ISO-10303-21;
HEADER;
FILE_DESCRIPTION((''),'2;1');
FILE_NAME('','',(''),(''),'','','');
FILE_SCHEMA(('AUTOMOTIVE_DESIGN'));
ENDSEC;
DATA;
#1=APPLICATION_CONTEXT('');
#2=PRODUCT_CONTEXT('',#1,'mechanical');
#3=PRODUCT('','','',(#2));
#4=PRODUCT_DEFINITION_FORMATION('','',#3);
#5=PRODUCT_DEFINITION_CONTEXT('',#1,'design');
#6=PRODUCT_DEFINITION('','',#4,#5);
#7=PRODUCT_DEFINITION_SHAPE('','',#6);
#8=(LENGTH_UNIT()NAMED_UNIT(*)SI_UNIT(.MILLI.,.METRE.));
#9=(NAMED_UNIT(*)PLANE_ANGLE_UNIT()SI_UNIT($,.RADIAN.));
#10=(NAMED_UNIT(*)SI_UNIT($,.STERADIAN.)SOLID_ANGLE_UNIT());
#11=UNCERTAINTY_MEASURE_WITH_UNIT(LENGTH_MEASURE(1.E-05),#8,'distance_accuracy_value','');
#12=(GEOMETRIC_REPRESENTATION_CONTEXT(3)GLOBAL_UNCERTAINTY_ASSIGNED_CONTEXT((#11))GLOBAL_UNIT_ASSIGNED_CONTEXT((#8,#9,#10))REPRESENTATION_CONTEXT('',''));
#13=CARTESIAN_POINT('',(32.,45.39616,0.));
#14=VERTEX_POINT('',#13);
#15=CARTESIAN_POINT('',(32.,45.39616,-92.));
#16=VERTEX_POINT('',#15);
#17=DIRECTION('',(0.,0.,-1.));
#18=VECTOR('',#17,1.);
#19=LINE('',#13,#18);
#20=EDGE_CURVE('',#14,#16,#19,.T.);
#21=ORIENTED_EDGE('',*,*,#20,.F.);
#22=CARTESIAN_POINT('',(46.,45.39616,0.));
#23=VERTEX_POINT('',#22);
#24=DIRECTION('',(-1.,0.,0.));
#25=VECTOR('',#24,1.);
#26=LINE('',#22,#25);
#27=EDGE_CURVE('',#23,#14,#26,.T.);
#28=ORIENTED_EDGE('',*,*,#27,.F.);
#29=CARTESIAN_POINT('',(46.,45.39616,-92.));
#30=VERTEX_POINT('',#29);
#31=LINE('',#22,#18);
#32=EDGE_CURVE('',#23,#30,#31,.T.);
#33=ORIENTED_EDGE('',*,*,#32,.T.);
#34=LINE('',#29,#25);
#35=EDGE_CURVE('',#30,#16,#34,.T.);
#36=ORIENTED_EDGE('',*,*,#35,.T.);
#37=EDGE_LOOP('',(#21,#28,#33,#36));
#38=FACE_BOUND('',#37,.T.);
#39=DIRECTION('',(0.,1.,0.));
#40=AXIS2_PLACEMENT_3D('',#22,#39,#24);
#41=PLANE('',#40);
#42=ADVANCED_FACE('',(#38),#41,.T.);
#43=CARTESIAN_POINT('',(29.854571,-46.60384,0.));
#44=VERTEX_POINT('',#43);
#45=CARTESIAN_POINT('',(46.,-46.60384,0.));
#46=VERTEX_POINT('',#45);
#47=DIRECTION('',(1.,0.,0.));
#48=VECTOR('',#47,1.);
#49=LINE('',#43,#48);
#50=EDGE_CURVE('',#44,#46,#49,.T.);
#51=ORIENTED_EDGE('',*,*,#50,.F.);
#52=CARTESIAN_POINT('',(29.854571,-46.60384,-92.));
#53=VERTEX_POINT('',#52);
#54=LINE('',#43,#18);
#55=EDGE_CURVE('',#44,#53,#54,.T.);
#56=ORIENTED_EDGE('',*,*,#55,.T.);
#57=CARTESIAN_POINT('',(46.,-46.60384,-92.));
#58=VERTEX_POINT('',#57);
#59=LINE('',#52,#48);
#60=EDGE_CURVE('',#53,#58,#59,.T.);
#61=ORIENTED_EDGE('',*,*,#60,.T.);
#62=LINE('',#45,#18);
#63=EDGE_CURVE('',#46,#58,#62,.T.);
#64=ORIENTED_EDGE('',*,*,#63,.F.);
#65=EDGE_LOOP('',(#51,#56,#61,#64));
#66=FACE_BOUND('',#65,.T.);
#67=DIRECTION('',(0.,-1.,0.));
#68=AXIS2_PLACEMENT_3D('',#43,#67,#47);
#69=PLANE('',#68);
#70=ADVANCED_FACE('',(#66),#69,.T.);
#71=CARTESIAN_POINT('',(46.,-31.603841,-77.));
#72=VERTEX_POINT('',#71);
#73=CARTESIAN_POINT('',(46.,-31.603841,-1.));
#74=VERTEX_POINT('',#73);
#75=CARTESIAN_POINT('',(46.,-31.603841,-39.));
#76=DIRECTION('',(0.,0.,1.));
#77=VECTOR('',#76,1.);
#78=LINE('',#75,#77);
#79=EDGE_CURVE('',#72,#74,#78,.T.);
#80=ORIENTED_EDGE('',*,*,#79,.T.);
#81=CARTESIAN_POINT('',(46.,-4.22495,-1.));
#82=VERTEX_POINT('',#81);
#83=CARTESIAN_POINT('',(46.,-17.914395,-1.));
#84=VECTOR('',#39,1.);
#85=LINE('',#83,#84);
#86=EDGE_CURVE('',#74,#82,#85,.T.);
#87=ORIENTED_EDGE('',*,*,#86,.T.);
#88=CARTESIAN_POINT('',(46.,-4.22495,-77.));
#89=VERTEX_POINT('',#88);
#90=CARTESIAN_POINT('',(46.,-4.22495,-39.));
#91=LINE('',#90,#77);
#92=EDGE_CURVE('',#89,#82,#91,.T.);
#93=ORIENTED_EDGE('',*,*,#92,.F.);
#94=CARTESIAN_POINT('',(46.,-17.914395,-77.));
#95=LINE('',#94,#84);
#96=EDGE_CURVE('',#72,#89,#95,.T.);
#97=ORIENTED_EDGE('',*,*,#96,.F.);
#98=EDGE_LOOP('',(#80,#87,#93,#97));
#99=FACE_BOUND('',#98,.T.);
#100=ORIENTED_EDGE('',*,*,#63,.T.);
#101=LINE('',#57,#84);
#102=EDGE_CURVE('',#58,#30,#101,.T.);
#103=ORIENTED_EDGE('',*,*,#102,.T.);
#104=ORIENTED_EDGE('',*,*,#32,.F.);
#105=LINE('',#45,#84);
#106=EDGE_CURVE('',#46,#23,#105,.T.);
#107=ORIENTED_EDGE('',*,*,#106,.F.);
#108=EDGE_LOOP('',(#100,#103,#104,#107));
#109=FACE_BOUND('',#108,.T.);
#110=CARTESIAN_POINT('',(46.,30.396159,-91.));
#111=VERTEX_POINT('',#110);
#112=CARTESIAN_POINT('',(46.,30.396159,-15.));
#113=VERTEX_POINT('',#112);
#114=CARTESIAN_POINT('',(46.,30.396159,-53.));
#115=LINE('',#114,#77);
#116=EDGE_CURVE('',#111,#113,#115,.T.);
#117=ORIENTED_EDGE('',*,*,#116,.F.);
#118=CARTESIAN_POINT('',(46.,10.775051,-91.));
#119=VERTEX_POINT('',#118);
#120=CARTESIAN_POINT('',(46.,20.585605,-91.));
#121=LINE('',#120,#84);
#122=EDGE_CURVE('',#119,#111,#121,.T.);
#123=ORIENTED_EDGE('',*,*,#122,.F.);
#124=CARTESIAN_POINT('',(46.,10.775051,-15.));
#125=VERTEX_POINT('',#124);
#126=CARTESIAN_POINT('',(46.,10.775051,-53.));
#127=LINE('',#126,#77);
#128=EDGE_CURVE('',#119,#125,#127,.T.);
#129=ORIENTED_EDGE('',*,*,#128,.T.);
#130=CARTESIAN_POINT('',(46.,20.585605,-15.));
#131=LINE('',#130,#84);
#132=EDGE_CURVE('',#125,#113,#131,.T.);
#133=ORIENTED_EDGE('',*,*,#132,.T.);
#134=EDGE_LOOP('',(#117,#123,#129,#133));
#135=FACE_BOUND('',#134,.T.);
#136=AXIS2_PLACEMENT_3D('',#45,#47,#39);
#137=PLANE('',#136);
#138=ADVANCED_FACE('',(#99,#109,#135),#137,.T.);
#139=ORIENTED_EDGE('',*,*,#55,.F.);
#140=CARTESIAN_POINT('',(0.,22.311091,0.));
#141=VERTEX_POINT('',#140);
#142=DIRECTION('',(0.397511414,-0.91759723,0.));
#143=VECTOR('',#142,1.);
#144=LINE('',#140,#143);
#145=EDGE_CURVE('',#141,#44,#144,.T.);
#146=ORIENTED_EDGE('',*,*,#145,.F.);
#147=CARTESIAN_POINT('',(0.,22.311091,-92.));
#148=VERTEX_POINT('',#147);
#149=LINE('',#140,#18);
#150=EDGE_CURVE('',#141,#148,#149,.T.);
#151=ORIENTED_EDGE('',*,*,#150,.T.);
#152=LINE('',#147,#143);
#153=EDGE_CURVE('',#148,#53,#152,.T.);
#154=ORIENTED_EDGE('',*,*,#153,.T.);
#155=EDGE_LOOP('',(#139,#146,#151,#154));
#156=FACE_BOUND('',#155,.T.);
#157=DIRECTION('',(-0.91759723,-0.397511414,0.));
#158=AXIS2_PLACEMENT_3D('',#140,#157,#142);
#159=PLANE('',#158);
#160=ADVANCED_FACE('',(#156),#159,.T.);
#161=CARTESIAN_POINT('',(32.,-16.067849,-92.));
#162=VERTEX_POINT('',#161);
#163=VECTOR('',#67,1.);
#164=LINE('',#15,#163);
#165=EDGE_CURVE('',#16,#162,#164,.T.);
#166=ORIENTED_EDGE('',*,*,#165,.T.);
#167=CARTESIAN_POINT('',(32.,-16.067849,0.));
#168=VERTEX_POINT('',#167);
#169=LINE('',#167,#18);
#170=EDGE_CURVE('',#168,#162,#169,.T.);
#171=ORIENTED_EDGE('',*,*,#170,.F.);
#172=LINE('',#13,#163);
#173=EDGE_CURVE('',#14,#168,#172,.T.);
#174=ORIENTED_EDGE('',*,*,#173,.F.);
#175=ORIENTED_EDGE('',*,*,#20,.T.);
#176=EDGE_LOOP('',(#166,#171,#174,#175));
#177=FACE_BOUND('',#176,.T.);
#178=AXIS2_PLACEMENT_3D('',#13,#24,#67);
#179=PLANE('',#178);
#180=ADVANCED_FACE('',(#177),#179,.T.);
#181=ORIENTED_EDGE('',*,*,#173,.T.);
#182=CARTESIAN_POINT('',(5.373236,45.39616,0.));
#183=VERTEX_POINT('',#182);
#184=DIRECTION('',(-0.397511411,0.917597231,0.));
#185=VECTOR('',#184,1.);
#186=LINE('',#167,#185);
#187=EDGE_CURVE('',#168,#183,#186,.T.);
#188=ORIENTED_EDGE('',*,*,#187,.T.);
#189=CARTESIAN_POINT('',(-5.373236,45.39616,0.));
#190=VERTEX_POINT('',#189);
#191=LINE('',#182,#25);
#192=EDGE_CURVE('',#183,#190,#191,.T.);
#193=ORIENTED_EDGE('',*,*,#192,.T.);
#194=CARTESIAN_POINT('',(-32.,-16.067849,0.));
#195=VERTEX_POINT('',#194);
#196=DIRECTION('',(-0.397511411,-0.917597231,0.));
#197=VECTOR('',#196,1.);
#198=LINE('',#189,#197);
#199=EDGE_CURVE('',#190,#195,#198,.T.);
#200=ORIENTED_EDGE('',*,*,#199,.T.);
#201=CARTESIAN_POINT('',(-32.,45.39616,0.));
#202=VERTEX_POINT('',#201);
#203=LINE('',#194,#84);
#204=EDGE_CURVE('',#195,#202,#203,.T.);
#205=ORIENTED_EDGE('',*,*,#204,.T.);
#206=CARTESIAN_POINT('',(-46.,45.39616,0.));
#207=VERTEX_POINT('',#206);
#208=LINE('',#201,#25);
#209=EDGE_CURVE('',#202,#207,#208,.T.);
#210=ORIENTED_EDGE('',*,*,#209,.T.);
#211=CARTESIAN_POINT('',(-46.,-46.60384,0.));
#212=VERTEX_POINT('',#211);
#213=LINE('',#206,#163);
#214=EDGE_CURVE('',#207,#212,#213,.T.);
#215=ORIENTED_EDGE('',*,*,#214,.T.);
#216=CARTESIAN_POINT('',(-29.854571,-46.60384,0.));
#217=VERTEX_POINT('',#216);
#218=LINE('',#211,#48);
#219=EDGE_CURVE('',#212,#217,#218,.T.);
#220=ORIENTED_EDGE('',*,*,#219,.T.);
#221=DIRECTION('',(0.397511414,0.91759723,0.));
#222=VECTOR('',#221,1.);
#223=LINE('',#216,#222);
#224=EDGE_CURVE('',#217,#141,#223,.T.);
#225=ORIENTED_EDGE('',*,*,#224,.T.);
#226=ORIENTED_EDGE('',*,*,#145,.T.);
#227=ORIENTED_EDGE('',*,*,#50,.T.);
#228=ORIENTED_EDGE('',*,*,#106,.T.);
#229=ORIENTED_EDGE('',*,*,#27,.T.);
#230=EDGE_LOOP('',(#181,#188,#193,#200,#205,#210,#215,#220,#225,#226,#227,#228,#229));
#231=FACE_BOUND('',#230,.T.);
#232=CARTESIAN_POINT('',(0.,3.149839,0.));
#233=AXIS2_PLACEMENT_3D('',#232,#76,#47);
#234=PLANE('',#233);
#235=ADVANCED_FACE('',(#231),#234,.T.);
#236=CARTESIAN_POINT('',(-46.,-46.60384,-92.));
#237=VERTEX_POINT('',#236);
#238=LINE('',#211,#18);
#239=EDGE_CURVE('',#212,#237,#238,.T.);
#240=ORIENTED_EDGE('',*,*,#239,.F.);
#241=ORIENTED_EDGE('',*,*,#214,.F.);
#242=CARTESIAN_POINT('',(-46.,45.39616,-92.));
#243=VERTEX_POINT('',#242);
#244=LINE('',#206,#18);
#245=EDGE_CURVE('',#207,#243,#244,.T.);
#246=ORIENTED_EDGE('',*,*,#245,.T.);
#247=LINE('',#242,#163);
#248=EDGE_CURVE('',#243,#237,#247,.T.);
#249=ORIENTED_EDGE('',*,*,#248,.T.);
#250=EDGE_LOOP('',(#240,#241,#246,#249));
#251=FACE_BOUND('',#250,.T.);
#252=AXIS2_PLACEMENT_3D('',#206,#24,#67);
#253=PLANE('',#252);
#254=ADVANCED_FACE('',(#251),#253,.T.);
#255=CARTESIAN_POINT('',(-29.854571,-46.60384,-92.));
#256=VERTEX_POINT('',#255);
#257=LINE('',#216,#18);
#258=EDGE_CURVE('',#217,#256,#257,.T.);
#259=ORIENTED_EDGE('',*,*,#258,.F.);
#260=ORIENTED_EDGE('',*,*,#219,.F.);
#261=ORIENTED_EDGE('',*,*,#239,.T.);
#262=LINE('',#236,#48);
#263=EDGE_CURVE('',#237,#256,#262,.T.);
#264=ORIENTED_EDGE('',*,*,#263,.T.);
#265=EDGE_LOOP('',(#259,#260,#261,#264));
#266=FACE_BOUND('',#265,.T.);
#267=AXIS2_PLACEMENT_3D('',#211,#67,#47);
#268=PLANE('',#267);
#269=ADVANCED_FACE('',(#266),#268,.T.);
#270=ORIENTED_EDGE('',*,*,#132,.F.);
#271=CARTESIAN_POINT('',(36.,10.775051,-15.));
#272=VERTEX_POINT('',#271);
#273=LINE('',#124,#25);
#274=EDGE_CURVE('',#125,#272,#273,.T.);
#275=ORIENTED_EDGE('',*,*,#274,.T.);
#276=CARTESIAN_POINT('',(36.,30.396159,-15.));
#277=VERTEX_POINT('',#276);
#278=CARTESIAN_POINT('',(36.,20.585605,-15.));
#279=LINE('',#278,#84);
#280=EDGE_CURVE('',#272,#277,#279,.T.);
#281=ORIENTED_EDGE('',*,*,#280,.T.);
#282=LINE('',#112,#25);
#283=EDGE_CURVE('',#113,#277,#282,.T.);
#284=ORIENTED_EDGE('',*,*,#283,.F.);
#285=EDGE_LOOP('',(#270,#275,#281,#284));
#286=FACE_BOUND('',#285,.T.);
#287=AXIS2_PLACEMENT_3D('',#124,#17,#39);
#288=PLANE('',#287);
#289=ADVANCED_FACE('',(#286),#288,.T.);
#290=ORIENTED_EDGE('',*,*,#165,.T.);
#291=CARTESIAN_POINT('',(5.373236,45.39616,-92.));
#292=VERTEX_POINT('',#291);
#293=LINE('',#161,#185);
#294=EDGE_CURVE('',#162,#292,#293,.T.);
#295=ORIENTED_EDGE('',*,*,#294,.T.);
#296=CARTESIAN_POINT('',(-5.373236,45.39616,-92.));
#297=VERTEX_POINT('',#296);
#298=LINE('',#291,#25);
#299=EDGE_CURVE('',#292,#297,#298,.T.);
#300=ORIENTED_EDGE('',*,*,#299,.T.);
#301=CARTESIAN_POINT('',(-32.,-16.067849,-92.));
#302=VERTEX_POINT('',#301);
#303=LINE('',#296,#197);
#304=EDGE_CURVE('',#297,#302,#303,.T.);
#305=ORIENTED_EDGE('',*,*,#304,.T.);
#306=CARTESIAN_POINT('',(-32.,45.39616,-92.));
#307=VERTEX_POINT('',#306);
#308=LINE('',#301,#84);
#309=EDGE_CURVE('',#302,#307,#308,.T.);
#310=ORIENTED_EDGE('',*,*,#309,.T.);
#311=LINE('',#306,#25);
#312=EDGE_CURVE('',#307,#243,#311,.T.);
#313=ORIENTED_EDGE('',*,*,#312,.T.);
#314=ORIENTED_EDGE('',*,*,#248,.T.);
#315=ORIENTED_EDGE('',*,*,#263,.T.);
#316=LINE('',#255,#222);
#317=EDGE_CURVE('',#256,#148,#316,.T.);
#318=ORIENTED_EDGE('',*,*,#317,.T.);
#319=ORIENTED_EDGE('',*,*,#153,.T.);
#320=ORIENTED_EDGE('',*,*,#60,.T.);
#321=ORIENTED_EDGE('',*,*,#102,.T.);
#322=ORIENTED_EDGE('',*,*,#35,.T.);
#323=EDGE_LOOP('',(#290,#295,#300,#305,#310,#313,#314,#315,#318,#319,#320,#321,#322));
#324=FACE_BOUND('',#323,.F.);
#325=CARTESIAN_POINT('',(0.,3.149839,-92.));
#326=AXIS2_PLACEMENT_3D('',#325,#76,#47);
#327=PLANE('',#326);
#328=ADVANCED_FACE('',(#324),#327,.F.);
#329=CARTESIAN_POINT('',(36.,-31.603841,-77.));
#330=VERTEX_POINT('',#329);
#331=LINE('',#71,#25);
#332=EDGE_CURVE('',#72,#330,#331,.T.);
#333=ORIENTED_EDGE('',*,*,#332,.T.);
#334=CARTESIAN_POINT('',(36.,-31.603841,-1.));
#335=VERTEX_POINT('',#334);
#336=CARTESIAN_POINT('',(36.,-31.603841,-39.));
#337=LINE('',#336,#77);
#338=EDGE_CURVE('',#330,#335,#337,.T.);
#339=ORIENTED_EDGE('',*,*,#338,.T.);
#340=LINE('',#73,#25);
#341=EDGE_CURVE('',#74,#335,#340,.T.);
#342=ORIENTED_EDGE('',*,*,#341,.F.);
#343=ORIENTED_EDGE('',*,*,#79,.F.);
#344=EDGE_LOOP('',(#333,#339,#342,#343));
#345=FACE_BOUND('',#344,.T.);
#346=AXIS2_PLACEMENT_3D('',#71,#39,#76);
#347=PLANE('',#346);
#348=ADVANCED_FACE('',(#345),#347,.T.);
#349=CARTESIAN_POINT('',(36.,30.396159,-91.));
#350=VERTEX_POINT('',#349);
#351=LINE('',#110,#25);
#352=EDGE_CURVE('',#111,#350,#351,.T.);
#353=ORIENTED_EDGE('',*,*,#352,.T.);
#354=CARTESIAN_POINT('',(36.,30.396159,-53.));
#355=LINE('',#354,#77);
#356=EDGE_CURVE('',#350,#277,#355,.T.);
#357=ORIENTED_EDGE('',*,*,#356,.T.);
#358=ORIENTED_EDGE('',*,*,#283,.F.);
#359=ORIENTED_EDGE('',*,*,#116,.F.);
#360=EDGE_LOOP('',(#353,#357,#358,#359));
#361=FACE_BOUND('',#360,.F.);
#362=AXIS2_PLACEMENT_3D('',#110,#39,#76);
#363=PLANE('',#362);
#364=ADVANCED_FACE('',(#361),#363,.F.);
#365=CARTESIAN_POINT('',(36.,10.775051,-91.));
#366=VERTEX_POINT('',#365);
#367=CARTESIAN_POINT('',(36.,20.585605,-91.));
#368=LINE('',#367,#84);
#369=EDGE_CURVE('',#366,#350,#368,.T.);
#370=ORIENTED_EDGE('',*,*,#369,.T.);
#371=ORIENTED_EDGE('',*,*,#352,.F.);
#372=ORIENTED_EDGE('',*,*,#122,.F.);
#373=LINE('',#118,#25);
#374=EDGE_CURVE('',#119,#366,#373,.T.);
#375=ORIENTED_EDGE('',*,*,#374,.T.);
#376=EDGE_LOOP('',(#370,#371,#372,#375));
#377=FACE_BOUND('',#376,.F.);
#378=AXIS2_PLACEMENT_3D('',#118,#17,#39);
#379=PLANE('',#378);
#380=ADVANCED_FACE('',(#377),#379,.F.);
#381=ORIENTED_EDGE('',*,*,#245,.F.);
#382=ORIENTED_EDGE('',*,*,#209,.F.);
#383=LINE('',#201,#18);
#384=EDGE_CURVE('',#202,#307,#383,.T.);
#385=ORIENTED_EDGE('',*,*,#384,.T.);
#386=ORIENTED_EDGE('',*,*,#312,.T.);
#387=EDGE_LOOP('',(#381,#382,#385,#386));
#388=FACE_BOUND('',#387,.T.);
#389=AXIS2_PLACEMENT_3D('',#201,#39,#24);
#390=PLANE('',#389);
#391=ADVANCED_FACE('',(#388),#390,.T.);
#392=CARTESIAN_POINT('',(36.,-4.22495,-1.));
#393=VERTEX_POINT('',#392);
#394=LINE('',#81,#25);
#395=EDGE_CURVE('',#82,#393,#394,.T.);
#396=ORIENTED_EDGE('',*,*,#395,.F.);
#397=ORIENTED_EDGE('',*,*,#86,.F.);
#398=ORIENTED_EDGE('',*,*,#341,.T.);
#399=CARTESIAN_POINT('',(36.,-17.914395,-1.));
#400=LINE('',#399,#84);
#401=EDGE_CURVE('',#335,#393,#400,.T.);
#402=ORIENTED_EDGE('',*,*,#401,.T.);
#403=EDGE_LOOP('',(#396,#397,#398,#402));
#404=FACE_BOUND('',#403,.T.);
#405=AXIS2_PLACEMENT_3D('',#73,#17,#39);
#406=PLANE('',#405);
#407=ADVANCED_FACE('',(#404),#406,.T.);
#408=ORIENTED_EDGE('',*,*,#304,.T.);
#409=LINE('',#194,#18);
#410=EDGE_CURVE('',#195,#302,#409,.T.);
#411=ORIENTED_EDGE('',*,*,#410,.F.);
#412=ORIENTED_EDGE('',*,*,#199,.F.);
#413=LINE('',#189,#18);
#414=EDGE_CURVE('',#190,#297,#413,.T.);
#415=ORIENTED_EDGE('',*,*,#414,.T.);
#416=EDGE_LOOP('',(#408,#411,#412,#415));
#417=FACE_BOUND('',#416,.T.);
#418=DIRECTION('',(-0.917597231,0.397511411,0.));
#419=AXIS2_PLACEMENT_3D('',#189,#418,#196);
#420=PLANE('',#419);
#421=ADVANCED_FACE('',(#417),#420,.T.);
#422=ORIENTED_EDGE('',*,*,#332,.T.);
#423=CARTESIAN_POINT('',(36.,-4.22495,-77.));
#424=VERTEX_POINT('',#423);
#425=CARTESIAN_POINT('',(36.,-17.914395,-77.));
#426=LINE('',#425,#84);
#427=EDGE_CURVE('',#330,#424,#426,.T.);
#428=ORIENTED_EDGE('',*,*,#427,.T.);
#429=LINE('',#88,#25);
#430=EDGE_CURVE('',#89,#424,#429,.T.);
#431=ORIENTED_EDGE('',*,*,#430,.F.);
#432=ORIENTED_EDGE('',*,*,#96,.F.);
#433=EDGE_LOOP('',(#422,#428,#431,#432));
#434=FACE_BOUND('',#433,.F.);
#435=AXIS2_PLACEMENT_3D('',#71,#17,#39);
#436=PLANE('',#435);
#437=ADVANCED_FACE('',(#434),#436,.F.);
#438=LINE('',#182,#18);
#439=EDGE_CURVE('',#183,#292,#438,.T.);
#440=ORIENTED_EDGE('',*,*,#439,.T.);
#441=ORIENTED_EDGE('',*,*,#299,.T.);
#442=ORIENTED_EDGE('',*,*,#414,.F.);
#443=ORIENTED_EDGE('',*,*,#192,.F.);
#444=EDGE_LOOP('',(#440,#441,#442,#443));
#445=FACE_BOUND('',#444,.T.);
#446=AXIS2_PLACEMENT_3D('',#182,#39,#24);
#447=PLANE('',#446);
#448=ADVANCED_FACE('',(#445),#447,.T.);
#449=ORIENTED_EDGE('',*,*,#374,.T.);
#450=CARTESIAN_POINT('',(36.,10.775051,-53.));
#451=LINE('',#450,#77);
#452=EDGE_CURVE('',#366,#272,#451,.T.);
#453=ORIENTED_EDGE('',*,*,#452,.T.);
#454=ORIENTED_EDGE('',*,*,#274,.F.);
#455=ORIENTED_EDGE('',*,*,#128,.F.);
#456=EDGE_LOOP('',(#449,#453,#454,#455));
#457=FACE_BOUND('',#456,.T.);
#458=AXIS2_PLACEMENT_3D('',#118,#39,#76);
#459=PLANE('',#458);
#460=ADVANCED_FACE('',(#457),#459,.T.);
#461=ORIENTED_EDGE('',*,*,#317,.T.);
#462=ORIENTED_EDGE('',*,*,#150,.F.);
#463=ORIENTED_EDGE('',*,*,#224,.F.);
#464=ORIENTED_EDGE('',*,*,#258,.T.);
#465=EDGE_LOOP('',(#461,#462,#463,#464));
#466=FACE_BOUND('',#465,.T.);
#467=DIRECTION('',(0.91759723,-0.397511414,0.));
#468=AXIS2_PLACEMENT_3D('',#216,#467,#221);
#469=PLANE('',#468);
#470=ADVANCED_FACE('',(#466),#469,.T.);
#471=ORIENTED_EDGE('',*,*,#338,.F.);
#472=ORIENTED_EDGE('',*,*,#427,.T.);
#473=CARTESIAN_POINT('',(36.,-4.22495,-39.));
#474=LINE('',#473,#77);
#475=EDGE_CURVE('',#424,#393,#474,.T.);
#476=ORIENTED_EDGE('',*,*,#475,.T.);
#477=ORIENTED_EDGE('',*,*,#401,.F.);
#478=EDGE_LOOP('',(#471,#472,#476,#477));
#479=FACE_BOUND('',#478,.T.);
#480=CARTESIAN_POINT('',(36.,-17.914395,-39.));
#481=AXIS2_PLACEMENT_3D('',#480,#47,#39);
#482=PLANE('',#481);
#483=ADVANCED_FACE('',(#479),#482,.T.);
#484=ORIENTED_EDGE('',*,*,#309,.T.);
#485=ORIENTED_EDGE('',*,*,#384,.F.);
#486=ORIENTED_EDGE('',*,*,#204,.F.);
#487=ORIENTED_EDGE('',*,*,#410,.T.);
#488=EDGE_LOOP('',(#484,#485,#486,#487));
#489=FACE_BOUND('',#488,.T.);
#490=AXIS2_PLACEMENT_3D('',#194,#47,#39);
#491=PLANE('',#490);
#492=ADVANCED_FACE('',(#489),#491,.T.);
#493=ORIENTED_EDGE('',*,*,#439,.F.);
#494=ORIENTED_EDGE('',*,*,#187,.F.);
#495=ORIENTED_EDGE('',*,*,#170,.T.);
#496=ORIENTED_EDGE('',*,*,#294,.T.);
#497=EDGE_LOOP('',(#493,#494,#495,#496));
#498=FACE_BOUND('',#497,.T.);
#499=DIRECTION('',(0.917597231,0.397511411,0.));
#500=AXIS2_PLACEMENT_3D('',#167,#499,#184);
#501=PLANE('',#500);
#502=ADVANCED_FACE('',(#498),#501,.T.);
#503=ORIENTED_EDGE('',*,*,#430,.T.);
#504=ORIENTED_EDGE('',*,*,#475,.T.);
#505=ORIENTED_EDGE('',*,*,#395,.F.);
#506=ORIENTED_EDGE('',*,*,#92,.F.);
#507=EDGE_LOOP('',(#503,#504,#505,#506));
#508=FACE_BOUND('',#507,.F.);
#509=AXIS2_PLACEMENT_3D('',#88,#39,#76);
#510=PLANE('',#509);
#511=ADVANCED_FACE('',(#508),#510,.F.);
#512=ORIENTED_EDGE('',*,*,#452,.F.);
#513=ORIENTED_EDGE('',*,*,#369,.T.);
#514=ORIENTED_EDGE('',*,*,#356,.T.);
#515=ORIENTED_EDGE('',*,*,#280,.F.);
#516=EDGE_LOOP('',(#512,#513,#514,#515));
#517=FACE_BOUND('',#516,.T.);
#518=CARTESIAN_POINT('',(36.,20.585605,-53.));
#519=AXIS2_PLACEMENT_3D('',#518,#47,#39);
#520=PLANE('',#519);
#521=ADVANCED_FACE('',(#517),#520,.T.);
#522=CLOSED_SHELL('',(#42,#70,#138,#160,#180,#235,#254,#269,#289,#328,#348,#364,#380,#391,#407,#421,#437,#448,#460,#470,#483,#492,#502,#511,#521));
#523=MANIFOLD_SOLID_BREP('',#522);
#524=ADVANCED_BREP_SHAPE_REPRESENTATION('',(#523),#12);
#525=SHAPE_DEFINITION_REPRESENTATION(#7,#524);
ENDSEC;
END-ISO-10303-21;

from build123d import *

# Parameters (mm, degrees)
F1_DEPTH = 92
F2_W     = 19.621109
F2_H     = 76
F2_W_2   = 27.378891
F3_DEPTH = 10


with BuildPart() as f1:
    # F0 (on Top) → F1 (new body)
    with BuildSketch(Plane.XY):
        Polygon((-46, 45.39616), (-46, -46.60384), (-29.854571, -46.60384), (0, 22.311091), (29.854571, -46.60384), (46, -46.60384), (46, 45.39616), (32, 45.39616), (32, -16.067849), (5.373236, 45.39616), (0, 45.39616), (-5.373236, 45.39616), (-32, -16.067849), (-32, 45.39616), align=None)
    extrude(amount=-F1_DEPTH)

    # F2 (on face) → F3 (cut)
    with BuildSketch(Plane.YZ.offset(46)):
        with Locations((20.585605, -53)):
            Rectangle(F2_W, F2_H)
        with Locations((-17.914395, -39)):
            Rectangle(F2_W_2, F2_H)
    extrude(amount=-F3_DEPTH, mode=Mode.SUBTRACT)


solid = f1.part
